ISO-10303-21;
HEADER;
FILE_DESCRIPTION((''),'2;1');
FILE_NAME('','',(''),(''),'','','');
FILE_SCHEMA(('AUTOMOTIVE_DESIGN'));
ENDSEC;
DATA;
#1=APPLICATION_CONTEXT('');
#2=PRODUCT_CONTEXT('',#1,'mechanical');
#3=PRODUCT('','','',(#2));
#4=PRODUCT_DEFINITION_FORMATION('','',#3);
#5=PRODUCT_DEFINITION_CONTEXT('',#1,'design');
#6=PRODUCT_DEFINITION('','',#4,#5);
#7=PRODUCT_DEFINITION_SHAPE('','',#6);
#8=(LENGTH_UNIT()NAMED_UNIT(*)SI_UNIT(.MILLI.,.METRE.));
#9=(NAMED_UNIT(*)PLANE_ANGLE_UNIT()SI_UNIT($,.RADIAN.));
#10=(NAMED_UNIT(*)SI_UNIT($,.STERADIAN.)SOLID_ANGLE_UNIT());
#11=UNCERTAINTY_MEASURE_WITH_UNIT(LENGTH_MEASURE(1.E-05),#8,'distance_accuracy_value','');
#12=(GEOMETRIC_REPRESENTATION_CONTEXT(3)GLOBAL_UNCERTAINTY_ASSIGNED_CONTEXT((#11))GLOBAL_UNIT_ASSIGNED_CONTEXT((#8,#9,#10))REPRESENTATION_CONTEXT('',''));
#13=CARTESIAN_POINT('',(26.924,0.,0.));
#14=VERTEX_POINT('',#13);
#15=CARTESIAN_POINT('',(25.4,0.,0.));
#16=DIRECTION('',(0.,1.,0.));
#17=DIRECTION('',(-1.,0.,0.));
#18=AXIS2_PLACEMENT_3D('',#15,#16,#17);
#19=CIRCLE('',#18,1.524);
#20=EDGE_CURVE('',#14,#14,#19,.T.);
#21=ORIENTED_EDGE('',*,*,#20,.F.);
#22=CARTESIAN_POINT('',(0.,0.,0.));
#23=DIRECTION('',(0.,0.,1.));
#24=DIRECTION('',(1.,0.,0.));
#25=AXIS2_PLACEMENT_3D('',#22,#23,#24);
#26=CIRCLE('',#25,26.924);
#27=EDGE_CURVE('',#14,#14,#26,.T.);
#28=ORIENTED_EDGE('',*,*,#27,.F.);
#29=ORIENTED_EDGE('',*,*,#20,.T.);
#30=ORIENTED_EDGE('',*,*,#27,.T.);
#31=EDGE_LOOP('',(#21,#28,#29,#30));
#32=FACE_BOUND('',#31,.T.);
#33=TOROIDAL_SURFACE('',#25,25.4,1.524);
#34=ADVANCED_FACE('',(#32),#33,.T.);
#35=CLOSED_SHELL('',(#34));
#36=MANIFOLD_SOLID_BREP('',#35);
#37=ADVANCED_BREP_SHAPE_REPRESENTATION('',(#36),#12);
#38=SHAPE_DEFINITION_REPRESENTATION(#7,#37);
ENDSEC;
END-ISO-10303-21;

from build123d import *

# Parameters (mm, degrees)
SWEEP1_PROFILE_R = 1.524


with BuildPart() as part:
    # Sweep1: sweep along a path in Sketch1
    with BuildLine(Plane.XY) as sweep1_path:
        CenterArc((0, 0), 25.4, 0, 360)
    # Sweep1 profile (on start of the path) → Sweep1 (sweep)
    with BuildSketch(Plane(origin=(25.4, 0, 0), x_dir=(0, 0, 1), z_dir=(0, 1, 0))):
        Circle(SWEEP1_PROFILE_R)
    sweep(path=sweep1_path.line)


solid = part.part
